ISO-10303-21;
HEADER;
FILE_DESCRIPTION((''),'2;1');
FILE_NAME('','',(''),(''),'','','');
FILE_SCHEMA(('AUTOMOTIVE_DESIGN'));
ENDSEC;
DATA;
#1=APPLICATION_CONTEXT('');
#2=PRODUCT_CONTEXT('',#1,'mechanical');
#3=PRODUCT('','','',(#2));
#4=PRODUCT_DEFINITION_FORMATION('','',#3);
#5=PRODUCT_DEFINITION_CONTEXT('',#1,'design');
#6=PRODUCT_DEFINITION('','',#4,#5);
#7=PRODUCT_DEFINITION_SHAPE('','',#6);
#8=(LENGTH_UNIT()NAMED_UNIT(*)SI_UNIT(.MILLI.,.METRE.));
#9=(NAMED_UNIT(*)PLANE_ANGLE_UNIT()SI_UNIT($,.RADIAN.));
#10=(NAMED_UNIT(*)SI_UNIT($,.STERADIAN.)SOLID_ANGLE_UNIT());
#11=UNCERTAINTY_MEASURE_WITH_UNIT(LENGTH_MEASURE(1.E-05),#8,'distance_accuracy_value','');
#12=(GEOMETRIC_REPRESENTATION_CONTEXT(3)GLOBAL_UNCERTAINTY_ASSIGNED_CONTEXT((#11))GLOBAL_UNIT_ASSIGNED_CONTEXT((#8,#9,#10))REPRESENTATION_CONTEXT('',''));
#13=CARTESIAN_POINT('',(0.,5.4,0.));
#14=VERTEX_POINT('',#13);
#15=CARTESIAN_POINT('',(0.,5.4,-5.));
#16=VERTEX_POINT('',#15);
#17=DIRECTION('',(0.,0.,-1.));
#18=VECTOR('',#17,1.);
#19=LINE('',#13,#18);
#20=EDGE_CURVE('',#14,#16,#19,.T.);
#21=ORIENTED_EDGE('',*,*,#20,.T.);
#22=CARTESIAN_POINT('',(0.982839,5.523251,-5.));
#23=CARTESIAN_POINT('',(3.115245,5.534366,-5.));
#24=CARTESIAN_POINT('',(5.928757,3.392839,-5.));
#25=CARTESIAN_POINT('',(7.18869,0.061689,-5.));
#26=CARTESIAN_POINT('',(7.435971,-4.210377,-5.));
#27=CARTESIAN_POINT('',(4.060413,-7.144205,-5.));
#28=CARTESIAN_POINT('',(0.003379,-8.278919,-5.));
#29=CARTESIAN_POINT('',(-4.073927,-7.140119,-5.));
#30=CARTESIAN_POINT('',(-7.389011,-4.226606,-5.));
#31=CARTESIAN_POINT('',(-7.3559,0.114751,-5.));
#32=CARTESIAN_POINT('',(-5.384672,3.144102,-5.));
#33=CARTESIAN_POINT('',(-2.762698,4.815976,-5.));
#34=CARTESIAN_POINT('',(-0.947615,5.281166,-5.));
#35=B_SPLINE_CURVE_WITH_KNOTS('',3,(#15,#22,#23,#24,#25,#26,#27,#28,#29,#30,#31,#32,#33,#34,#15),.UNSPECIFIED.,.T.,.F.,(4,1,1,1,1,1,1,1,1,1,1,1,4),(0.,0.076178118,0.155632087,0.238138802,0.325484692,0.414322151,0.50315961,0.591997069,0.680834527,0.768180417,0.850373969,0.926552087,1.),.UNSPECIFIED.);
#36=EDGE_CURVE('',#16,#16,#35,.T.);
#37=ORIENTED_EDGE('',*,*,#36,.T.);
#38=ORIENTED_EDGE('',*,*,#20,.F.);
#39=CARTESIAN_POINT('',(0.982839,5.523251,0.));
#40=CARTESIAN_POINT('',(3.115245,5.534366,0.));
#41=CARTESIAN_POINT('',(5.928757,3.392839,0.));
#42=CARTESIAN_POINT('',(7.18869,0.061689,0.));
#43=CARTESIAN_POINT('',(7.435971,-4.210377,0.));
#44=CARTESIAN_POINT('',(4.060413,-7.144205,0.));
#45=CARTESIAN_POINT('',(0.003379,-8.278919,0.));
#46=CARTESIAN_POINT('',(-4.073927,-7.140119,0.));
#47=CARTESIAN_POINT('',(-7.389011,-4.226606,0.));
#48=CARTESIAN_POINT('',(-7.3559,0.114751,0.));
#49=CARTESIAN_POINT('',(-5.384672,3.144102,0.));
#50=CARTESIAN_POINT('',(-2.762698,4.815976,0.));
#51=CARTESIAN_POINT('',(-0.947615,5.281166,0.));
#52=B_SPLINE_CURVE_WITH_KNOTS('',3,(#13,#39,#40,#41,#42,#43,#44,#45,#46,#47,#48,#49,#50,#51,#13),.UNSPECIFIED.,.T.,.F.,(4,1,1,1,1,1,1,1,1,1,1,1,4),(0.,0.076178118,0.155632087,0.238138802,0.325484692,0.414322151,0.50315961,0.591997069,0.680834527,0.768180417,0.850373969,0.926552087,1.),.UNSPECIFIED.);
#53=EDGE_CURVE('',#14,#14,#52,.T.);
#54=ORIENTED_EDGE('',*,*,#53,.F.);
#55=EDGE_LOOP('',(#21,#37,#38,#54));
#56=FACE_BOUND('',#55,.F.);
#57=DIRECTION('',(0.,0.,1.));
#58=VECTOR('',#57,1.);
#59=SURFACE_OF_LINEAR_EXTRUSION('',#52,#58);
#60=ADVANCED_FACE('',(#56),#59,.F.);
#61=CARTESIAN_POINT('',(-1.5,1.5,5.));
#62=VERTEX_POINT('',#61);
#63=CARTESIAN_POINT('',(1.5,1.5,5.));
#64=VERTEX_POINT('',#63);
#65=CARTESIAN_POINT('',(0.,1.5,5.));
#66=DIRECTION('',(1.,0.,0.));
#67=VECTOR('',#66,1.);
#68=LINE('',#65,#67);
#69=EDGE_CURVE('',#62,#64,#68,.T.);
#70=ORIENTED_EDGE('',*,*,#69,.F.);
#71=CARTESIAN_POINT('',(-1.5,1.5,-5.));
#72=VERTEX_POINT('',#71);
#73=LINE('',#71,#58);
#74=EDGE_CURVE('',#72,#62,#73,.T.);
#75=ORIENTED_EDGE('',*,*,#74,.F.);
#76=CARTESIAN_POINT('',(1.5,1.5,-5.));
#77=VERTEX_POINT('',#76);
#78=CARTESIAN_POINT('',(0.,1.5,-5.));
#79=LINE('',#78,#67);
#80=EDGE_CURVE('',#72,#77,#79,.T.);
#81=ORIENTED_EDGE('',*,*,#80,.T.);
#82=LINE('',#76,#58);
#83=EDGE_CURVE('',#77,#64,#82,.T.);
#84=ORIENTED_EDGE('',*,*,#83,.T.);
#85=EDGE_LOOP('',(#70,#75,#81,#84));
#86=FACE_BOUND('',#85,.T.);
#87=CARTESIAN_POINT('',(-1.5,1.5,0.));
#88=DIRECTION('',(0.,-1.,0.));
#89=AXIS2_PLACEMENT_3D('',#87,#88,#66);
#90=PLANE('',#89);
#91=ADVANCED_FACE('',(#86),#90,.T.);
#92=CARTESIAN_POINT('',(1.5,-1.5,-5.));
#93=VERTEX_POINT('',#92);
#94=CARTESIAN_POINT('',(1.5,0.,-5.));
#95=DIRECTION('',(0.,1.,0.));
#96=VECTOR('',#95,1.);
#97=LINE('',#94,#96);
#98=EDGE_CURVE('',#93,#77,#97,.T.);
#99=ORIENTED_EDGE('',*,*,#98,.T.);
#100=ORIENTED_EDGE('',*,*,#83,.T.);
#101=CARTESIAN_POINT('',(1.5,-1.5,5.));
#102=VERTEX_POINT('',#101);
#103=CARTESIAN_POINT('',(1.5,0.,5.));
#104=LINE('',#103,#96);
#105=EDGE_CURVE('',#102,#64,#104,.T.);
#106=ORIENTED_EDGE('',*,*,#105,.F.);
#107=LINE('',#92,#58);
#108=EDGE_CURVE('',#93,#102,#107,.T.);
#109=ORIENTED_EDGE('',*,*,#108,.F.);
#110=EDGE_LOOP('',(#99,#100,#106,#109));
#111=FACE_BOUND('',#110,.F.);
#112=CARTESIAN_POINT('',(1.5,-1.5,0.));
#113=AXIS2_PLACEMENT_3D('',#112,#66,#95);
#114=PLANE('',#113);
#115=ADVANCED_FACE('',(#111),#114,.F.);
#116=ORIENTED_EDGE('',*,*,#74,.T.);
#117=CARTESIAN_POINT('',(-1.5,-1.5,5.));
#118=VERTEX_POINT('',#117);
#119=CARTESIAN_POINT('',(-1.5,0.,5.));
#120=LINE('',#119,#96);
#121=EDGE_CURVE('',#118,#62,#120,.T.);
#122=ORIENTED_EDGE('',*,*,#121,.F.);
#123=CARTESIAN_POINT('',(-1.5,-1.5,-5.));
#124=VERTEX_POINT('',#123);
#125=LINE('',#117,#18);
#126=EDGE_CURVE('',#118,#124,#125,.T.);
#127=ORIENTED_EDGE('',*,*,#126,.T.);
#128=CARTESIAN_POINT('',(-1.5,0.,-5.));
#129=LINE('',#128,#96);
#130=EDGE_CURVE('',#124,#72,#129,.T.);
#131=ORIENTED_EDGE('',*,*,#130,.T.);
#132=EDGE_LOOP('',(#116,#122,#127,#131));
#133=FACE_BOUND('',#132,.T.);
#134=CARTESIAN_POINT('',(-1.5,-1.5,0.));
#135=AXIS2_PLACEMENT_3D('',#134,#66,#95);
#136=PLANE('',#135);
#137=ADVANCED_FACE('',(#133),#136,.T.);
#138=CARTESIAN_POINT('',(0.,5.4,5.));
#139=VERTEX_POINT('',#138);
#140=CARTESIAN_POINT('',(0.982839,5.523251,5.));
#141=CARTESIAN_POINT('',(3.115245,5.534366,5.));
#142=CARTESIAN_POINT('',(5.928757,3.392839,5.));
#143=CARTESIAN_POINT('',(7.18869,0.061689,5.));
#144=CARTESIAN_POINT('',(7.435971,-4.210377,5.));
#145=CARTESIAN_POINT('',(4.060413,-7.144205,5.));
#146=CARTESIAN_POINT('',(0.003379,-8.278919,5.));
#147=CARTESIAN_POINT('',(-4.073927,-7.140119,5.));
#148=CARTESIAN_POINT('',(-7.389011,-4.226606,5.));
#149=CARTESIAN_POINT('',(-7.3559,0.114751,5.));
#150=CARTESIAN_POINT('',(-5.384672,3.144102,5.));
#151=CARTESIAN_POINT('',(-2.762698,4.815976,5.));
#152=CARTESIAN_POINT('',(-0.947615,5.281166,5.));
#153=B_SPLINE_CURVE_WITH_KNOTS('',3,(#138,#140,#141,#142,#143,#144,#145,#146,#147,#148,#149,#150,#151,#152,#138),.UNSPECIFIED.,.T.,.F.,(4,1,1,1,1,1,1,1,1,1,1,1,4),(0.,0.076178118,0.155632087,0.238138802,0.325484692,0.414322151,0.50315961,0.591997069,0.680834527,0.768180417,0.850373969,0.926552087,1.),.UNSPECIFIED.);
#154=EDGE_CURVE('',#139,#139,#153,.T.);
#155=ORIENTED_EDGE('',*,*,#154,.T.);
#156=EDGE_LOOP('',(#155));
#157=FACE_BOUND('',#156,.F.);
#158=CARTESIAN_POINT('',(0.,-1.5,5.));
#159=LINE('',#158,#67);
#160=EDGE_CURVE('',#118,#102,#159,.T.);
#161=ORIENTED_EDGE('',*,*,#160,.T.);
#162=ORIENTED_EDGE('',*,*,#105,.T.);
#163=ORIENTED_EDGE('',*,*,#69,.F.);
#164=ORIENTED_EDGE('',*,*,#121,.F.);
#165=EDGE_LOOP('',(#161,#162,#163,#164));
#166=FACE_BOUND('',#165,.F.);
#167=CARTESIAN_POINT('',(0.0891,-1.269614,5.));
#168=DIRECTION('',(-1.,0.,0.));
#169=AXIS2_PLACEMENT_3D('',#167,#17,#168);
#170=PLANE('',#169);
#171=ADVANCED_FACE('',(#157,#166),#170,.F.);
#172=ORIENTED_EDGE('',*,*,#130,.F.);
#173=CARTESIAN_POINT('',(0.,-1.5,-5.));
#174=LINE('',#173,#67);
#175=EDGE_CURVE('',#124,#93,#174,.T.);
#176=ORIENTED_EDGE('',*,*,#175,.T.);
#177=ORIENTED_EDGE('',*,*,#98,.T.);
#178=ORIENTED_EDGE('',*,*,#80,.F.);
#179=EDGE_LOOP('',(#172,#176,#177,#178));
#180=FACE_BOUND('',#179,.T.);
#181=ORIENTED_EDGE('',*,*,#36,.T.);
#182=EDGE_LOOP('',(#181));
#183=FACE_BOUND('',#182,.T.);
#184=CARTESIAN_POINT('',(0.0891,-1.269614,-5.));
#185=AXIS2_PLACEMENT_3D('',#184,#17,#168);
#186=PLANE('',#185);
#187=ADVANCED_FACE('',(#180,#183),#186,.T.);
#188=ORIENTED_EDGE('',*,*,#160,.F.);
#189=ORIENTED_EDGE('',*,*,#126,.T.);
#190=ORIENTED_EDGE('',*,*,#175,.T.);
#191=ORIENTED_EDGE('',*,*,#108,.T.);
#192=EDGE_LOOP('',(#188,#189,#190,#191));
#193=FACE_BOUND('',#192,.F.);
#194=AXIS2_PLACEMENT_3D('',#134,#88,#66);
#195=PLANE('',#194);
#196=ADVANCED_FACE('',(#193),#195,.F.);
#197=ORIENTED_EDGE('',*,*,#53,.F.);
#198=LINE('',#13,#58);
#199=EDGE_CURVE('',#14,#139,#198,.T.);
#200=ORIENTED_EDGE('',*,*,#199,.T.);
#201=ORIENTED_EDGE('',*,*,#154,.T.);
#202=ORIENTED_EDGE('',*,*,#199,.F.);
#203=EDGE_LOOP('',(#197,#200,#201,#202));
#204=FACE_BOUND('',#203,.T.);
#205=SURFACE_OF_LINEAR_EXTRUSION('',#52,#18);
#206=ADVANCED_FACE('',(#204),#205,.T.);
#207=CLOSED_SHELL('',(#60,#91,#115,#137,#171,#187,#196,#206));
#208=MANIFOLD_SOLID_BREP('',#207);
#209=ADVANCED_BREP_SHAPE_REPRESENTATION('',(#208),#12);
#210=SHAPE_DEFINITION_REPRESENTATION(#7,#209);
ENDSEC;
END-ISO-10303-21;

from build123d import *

# Parameters (mm, degrees)
F0_W     = 3
F0_H     = 3
F1_DEPTH = 5


with BuildPart() as f1:
    # F0 (on Top) → F1 (new body, symmetric)
    with BuildSketch(Plane.XY):
        with BuildLine():
            add(Edge.make_bspline(
                [(0, 5.4), (0.9828393456, 5.523251011), (3.1152453507, 5.5343655429), (5.9287574048, 3.3928389205), (7.1886896919, 0.0616891633), (7.4359708845, -4.210376631), (4.0604131185, -7.1442051408), (0.0033785947, -8.2789188865), (-4.0739274974, -7.1401193134), (-7.3890109153, -4.2266056063), (-7.3558997139, 0.1147514575), (-5.3846723817, 3.1441020373), (-2.7626976392, 4.8159756922), (-0.9476146342, 5.2811662738), (0, 5.4)],
                knots=[0, 0, 0, 0, 0.0761781175, 0.1556320872, 0.2381388024, 0.3254846921, 0.4143221509, 0.5031596097, 0.5919970685, 0.6808345272, 0.7681804169, 0.8503739693, 0.9265520868, 1, 1, 1, 1], degree=3))
        make_face()
        Rectangle(F0_W, F0_H, mode=Mode.SUBTRACT)
    extrude(amount=F1_DEPTH, both=True)


solid = f1.part
